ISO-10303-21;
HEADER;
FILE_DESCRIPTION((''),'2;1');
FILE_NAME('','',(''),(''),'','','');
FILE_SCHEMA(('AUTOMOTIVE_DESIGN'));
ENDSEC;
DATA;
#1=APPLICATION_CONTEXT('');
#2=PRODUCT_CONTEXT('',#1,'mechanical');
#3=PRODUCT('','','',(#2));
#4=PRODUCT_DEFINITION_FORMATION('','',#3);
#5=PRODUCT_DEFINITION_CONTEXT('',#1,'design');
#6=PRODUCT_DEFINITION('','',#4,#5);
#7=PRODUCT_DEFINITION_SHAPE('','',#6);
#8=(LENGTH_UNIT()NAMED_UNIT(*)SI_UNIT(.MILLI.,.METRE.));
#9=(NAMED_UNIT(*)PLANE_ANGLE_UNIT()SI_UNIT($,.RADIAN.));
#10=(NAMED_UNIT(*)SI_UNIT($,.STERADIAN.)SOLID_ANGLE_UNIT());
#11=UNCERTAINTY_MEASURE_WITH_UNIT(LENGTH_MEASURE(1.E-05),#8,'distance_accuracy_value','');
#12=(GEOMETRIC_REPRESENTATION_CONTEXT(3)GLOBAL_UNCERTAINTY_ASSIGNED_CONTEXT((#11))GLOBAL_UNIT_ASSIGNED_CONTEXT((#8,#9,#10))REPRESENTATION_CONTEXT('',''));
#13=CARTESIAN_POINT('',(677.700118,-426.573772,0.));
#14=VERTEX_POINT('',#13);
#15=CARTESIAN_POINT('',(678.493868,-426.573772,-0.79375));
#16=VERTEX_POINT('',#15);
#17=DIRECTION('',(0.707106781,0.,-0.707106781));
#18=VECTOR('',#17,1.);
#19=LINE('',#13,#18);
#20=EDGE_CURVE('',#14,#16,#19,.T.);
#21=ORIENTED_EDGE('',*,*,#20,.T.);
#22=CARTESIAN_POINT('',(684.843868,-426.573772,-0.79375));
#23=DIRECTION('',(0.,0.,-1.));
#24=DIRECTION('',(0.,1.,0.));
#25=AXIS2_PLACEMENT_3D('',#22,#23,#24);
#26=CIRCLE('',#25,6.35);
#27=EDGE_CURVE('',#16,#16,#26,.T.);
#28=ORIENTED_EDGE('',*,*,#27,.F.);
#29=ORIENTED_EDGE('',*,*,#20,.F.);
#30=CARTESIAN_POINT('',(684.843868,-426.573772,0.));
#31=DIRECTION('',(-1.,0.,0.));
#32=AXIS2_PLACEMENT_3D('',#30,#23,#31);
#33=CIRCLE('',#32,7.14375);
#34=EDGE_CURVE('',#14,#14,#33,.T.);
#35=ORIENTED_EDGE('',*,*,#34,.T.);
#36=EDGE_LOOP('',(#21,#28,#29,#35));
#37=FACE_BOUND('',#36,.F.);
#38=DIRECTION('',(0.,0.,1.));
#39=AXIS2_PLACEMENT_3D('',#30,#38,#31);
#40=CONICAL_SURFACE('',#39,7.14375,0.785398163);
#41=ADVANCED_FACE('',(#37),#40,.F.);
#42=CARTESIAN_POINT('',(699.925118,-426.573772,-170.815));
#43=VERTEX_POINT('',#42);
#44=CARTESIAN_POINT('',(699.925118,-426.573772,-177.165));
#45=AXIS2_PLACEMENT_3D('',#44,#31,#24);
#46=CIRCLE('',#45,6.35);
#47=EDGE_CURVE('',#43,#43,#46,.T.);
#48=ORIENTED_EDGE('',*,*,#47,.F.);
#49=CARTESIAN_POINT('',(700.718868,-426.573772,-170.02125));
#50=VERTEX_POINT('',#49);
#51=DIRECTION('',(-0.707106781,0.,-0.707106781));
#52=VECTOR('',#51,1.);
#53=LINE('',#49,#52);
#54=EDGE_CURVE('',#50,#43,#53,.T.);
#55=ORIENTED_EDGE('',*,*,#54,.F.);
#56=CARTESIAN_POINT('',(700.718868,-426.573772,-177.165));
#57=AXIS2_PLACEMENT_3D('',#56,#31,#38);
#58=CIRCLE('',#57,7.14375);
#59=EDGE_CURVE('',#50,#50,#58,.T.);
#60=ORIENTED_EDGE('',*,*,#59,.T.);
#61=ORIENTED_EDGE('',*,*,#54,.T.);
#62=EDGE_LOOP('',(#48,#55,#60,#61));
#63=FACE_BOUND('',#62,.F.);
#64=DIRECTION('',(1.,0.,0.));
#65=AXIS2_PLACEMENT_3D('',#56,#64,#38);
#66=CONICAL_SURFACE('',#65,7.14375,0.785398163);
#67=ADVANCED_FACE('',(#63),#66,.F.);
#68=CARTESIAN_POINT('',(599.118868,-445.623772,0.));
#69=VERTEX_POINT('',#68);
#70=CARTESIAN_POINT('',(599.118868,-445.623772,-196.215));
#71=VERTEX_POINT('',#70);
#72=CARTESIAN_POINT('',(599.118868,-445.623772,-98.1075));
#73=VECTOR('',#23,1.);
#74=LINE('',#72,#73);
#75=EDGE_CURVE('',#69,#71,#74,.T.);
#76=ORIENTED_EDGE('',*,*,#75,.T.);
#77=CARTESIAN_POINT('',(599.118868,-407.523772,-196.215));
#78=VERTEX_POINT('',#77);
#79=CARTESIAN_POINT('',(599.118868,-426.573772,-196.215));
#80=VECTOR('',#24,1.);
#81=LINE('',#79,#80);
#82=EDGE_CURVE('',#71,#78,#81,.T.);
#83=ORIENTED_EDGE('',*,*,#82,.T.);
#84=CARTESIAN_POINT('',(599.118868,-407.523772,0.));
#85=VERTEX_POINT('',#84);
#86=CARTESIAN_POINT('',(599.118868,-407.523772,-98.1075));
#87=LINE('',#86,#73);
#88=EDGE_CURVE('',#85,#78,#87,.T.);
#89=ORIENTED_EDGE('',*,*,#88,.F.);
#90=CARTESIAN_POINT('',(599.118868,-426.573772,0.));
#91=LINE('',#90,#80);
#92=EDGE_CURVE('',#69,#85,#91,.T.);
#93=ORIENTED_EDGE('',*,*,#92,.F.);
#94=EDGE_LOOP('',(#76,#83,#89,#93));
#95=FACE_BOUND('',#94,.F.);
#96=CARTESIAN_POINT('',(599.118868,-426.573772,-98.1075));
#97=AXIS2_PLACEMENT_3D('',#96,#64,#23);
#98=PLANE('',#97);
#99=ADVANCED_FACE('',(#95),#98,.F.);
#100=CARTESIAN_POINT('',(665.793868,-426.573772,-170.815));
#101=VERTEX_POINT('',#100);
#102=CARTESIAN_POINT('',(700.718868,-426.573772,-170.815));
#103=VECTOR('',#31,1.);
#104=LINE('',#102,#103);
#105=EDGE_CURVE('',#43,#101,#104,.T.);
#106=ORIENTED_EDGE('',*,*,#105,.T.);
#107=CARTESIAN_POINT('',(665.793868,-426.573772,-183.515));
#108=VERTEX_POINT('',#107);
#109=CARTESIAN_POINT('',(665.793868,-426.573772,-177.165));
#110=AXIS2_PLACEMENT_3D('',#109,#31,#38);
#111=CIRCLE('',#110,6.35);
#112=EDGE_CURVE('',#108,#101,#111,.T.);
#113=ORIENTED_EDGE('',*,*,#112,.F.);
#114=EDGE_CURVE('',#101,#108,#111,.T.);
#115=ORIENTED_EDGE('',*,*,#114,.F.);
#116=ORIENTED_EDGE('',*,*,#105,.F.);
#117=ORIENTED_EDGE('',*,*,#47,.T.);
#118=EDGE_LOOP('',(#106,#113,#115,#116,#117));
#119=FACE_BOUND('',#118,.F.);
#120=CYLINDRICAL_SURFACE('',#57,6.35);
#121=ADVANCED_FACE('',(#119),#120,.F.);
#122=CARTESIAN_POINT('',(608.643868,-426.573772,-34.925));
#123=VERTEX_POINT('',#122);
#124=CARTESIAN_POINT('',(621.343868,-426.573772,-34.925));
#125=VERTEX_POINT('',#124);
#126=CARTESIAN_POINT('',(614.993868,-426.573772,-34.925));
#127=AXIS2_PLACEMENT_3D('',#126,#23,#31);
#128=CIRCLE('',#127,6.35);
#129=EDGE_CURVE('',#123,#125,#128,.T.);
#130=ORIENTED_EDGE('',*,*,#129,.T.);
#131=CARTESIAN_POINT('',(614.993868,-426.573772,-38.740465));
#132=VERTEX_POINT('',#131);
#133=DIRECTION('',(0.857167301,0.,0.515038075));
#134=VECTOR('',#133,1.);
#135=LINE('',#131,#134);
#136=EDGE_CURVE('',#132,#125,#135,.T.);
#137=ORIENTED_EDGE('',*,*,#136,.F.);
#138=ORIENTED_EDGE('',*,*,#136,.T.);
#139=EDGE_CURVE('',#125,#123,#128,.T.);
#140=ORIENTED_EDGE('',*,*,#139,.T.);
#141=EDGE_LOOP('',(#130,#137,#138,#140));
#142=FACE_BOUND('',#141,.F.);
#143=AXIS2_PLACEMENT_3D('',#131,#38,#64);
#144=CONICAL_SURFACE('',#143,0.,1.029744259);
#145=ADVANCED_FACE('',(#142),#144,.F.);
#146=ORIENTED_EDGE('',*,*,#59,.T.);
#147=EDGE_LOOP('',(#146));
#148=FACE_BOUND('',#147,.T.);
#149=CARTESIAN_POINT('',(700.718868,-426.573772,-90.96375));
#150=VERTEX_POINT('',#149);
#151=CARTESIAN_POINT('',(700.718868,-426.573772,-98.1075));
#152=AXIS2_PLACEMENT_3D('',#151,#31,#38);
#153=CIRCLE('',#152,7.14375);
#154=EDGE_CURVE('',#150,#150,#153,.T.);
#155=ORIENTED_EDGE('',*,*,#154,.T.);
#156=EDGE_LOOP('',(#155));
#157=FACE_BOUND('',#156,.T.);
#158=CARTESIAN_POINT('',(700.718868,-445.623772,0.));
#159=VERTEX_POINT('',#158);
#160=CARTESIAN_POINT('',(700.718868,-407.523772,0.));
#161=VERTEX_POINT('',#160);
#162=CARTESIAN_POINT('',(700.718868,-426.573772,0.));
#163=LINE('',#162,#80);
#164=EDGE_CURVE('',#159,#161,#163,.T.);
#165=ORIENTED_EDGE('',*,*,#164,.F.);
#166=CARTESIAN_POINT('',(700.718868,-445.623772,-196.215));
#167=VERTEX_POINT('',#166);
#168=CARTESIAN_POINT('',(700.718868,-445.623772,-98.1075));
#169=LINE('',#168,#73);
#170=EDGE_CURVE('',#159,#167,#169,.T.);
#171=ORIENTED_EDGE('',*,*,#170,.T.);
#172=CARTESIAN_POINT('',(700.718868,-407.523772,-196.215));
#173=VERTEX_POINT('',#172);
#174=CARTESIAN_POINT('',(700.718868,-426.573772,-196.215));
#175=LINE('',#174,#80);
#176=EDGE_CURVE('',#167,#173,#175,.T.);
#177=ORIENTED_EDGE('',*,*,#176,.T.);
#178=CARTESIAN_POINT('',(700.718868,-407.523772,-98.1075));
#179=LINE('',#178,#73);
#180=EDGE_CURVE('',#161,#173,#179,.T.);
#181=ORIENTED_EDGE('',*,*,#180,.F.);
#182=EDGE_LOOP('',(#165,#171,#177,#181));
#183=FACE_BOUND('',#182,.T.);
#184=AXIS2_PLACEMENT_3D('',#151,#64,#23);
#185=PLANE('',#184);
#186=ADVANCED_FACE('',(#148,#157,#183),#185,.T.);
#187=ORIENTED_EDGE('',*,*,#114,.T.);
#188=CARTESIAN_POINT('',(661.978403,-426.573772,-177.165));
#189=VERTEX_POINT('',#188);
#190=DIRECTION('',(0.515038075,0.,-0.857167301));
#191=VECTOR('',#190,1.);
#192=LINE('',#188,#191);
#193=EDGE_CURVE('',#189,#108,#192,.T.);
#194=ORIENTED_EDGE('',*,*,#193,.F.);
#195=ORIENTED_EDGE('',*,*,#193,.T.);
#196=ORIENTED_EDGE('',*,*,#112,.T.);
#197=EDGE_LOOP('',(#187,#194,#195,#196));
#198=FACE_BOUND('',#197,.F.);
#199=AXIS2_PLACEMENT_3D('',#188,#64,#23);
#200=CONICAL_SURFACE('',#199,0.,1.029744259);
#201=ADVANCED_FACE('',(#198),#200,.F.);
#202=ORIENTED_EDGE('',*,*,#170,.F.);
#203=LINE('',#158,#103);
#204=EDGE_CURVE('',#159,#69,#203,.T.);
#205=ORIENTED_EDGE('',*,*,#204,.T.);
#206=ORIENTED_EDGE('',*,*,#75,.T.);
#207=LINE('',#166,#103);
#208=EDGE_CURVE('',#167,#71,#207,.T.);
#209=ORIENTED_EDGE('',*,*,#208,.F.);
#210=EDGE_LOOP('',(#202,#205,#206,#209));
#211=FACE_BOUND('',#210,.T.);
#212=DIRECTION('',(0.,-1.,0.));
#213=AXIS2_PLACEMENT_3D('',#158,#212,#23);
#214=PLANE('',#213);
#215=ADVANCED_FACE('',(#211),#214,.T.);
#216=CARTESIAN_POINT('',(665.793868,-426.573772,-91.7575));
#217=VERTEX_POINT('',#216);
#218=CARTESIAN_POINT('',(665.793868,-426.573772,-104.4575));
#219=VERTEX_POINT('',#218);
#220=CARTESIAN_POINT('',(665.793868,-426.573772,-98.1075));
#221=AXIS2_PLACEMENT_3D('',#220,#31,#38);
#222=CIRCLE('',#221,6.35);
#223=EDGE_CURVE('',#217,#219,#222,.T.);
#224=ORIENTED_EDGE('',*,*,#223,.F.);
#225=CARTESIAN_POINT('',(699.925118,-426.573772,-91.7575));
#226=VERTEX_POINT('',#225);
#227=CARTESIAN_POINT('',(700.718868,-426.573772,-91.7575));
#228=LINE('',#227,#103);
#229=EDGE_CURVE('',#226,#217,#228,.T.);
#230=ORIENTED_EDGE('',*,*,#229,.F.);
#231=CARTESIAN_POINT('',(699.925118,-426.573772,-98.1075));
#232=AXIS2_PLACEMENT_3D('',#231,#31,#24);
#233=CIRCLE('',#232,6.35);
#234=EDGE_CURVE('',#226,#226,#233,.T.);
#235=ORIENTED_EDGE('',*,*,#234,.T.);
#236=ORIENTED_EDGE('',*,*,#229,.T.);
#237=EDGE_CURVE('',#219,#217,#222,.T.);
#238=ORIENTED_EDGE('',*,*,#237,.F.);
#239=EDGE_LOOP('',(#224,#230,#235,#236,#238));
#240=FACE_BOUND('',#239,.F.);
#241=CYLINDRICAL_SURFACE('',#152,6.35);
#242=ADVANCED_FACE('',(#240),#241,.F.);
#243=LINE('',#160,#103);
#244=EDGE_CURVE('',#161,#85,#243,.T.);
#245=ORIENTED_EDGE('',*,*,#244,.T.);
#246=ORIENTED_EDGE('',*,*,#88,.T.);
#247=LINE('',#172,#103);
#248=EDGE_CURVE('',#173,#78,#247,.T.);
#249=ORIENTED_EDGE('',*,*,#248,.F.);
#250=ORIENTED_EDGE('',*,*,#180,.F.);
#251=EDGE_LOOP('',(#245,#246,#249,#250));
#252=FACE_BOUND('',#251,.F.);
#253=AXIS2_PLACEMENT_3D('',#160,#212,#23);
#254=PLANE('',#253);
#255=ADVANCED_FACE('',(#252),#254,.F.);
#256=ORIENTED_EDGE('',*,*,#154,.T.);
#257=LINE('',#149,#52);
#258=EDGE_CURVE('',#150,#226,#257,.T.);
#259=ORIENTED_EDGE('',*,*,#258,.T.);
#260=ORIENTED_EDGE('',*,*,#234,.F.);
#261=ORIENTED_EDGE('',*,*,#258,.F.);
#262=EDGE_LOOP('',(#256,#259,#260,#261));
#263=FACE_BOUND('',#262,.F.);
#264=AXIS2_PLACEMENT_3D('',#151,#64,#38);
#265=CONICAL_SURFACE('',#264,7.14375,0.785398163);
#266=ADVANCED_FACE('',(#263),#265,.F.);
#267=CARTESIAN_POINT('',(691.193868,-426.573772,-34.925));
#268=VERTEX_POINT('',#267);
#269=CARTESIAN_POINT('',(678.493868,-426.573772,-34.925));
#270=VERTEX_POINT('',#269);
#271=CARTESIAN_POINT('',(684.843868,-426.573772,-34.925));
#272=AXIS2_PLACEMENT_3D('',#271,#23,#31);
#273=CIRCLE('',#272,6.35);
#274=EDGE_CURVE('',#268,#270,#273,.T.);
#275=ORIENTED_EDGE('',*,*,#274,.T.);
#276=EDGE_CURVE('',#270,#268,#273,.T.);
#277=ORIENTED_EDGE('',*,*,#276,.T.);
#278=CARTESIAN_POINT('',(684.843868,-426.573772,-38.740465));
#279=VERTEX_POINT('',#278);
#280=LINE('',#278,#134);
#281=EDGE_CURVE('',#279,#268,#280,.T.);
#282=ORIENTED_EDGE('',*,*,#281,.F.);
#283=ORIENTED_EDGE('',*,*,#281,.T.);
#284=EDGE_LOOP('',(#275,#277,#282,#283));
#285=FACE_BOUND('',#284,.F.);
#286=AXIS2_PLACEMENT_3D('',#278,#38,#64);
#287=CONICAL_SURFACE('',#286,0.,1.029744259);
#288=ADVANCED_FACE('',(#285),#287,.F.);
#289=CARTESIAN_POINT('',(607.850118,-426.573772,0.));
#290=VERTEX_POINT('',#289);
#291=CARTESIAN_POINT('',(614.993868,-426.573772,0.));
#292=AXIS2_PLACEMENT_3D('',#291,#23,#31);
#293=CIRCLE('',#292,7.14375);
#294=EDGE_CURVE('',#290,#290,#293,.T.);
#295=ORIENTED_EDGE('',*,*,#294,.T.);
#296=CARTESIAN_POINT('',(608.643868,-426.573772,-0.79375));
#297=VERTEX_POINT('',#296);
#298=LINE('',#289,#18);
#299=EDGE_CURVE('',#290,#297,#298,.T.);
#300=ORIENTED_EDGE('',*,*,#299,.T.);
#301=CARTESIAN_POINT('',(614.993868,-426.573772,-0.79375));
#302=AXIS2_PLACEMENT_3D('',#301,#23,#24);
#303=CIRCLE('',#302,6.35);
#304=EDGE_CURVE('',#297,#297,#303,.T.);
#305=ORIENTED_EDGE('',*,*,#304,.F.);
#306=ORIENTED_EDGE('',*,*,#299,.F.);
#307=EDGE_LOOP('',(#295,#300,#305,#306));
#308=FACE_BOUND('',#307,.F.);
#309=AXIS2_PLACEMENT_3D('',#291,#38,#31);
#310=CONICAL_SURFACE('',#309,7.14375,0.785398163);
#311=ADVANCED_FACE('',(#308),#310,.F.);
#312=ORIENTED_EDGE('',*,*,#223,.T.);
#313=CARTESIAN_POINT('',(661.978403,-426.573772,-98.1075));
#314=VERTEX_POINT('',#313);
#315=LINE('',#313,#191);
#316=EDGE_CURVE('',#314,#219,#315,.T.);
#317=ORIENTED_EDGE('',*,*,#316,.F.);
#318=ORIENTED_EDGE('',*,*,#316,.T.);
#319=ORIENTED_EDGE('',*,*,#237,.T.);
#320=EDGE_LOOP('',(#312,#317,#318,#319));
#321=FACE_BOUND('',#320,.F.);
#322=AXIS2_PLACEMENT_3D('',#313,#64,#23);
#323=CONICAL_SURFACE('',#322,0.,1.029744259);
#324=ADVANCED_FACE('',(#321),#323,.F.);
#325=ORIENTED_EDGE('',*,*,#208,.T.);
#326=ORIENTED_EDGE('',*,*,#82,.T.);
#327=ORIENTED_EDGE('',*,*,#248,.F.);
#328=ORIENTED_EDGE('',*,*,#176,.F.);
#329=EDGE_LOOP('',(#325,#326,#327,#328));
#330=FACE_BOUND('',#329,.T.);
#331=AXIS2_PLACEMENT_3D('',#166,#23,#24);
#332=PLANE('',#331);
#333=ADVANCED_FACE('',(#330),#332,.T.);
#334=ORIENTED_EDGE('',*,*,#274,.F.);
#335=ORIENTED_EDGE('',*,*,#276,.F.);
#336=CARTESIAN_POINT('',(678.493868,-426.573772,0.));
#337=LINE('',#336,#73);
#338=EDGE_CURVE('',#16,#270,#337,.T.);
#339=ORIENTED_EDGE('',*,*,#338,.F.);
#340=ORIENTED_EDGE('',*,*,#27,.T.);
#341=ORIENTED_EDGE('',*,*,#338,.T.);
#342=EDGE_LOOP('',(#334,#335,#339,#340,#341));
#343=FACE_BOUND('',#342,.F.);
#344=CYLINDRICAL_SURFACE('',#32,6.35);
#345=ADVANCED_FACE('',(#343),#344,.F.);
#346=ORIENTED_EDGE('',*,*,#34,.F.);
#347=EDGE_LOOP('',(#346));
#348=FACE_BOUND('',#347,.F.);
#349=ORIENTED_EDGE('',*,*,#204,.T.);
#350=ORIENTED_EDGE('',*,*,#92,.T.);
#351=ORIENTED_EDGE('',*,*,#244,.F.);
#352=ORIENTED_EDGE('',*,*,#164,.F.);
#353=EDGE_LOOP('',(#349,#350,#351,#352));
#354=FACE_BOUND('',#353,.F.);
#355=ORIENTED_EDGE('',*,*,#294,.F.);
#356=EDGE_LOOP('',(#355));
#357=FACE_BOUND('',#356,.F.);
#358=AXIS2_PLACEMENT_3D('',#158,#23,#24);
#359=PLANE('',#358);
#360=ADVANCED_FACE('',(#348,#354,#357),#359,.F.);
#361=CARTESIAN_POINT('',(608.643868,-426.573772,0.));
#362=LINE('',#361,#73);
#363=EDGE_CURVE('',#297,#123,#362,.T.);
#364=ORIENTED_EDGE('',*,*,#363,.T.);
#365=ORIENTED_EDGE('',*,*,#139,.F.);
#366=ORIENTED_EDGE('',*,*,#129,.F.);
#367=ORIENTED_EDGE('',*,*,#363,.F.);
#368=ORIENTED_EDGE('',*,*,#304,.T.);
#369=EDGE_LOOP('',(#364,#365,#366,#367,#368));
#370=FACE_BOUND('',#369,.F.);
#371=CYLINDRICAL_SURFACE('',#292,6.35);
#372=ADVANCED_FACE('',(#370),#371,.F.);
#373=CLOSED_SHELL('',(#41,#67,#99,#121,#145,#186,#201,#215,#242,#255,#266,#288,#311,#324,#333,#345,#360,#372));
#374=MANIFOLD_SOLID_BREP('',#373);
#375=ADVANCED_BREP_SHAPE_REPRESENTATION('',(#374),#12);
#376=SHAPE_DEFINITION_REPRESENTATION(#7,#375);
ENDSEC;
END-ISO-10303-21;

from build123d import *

# Parameters (mm, degrees)
F0_W           = 196.215
F0_H           = 38.1
F0_R           = 10.16
F0_R_2         = 6.604
F1_DEPTH       = 101.6
F2_D           = 12.7
F2_DEPTH       = 34.925
F2_CSINK_D     = 14.2875
F2_CSINK_ANGLE = 90
F2_TIP         = 3.8154649308
F3_ANGLE       = -90
F5_D           = 12.7
F5_DEPTH       = 34.925
F5_CSINK_D     = 14.2875
F5_CSINK_ANGLE = 90
F5_TIP         = 3.8154649308


with BuildPart() as f1:
    # F0 (on Top) → F1 (new body)
    with BuildSketch(Plane.XY):
        with Locations((849.6263678, -426.5737722)):
            Rectangle(F0_W, F0_H)
        with Locations((770.5688678, -426.5737722)):
            Circle(F0_R, mode=Mode.SUBTRACT)
        with Locations((849.6263678, -426.5737722)):
            Circle(F0_R, mode=Mode.SUBTRACT)
        with Locations((928.6838678, -426.5737722)):
            Circle(F0_R, mode=Mode.SUBTRACT)
        with Locations((770.5688678, -426.5737722)):
            Circle(F0_R)
        with Locations((770.5688678, -426.5737722)):
            Circle(F0_R_2, mode=Mode.SUBTRACT)
        with Locations((928.6838678, -426.5737722)):
            Circle(F0_R)
        with Locations((928.6838678, -426.5737722)):
            Circle(F0_R_2, mode=Mode.SUBTRACT)
        with Locations((849.6263678, -426.5737722)):
            Circle(F0_R)
        with Locations((849.6263678, -426.5737722)):
            Circle(F0_R_2, mode=Mode.SUBTRACT)
        with Locations((770.5688678, -426.5737722)):
            Circle(F0_R_2)
        with Locations((849.6263678, -426.5737722)):
            Circle(F0_R_2)
        with Locations((928.6838678, -426.5737722)):
            Circle(F0_R_2)
    extrude(amount=-F1_DEPTH)

    # F2
    with Locations(Plane.XY):
        with Locations((928.6838678, -426.5737722), (849.6263678, -426.5737722)):
            CounterSinkHole(F2_D / 2, F2_CSINK_D / 2, depth=F2_DEPTH, counter_sink_angle=F2_CSINK_ANGLE)
            with Locations((0, 0, -(F2_DEPTH + F2_TIP / 2))):  # 118° drill point
                Cone(0, F2_D / 2, F2_TIP, mode=Mode.SUBTRACT)


with BuildPart() as f1_1:
    # F3: moved
    add(f1.part.rotate(Axis((751.5188678, -426.5737722, 0), (0, -1, 0)), F3_ANGLE))


with BuildPart() as f1_2:
    # F4: moved
    add(f1_1.part.moved(Location((-50.8, 0, 0))))

    # F5
    with Locations(Plane.XY):
        with Locations((614.9938678, -426.5737722), (684.8438678, -426.5737722)):
            CounterSinkHole(F5_D / 2, F5_CSINK_D / 2, depth=F5_DEPTH, counter_sink_angle=F5_CSINK_ANGLE)
            with Locations((0, 0, -(F5_DEPTH + F5_TIP / 2))):  # 118° drill point
                Cone(0, F5_D / 2, F5_TIP, mode=Mode.SUBTRACT)


solid = f1_2.part
